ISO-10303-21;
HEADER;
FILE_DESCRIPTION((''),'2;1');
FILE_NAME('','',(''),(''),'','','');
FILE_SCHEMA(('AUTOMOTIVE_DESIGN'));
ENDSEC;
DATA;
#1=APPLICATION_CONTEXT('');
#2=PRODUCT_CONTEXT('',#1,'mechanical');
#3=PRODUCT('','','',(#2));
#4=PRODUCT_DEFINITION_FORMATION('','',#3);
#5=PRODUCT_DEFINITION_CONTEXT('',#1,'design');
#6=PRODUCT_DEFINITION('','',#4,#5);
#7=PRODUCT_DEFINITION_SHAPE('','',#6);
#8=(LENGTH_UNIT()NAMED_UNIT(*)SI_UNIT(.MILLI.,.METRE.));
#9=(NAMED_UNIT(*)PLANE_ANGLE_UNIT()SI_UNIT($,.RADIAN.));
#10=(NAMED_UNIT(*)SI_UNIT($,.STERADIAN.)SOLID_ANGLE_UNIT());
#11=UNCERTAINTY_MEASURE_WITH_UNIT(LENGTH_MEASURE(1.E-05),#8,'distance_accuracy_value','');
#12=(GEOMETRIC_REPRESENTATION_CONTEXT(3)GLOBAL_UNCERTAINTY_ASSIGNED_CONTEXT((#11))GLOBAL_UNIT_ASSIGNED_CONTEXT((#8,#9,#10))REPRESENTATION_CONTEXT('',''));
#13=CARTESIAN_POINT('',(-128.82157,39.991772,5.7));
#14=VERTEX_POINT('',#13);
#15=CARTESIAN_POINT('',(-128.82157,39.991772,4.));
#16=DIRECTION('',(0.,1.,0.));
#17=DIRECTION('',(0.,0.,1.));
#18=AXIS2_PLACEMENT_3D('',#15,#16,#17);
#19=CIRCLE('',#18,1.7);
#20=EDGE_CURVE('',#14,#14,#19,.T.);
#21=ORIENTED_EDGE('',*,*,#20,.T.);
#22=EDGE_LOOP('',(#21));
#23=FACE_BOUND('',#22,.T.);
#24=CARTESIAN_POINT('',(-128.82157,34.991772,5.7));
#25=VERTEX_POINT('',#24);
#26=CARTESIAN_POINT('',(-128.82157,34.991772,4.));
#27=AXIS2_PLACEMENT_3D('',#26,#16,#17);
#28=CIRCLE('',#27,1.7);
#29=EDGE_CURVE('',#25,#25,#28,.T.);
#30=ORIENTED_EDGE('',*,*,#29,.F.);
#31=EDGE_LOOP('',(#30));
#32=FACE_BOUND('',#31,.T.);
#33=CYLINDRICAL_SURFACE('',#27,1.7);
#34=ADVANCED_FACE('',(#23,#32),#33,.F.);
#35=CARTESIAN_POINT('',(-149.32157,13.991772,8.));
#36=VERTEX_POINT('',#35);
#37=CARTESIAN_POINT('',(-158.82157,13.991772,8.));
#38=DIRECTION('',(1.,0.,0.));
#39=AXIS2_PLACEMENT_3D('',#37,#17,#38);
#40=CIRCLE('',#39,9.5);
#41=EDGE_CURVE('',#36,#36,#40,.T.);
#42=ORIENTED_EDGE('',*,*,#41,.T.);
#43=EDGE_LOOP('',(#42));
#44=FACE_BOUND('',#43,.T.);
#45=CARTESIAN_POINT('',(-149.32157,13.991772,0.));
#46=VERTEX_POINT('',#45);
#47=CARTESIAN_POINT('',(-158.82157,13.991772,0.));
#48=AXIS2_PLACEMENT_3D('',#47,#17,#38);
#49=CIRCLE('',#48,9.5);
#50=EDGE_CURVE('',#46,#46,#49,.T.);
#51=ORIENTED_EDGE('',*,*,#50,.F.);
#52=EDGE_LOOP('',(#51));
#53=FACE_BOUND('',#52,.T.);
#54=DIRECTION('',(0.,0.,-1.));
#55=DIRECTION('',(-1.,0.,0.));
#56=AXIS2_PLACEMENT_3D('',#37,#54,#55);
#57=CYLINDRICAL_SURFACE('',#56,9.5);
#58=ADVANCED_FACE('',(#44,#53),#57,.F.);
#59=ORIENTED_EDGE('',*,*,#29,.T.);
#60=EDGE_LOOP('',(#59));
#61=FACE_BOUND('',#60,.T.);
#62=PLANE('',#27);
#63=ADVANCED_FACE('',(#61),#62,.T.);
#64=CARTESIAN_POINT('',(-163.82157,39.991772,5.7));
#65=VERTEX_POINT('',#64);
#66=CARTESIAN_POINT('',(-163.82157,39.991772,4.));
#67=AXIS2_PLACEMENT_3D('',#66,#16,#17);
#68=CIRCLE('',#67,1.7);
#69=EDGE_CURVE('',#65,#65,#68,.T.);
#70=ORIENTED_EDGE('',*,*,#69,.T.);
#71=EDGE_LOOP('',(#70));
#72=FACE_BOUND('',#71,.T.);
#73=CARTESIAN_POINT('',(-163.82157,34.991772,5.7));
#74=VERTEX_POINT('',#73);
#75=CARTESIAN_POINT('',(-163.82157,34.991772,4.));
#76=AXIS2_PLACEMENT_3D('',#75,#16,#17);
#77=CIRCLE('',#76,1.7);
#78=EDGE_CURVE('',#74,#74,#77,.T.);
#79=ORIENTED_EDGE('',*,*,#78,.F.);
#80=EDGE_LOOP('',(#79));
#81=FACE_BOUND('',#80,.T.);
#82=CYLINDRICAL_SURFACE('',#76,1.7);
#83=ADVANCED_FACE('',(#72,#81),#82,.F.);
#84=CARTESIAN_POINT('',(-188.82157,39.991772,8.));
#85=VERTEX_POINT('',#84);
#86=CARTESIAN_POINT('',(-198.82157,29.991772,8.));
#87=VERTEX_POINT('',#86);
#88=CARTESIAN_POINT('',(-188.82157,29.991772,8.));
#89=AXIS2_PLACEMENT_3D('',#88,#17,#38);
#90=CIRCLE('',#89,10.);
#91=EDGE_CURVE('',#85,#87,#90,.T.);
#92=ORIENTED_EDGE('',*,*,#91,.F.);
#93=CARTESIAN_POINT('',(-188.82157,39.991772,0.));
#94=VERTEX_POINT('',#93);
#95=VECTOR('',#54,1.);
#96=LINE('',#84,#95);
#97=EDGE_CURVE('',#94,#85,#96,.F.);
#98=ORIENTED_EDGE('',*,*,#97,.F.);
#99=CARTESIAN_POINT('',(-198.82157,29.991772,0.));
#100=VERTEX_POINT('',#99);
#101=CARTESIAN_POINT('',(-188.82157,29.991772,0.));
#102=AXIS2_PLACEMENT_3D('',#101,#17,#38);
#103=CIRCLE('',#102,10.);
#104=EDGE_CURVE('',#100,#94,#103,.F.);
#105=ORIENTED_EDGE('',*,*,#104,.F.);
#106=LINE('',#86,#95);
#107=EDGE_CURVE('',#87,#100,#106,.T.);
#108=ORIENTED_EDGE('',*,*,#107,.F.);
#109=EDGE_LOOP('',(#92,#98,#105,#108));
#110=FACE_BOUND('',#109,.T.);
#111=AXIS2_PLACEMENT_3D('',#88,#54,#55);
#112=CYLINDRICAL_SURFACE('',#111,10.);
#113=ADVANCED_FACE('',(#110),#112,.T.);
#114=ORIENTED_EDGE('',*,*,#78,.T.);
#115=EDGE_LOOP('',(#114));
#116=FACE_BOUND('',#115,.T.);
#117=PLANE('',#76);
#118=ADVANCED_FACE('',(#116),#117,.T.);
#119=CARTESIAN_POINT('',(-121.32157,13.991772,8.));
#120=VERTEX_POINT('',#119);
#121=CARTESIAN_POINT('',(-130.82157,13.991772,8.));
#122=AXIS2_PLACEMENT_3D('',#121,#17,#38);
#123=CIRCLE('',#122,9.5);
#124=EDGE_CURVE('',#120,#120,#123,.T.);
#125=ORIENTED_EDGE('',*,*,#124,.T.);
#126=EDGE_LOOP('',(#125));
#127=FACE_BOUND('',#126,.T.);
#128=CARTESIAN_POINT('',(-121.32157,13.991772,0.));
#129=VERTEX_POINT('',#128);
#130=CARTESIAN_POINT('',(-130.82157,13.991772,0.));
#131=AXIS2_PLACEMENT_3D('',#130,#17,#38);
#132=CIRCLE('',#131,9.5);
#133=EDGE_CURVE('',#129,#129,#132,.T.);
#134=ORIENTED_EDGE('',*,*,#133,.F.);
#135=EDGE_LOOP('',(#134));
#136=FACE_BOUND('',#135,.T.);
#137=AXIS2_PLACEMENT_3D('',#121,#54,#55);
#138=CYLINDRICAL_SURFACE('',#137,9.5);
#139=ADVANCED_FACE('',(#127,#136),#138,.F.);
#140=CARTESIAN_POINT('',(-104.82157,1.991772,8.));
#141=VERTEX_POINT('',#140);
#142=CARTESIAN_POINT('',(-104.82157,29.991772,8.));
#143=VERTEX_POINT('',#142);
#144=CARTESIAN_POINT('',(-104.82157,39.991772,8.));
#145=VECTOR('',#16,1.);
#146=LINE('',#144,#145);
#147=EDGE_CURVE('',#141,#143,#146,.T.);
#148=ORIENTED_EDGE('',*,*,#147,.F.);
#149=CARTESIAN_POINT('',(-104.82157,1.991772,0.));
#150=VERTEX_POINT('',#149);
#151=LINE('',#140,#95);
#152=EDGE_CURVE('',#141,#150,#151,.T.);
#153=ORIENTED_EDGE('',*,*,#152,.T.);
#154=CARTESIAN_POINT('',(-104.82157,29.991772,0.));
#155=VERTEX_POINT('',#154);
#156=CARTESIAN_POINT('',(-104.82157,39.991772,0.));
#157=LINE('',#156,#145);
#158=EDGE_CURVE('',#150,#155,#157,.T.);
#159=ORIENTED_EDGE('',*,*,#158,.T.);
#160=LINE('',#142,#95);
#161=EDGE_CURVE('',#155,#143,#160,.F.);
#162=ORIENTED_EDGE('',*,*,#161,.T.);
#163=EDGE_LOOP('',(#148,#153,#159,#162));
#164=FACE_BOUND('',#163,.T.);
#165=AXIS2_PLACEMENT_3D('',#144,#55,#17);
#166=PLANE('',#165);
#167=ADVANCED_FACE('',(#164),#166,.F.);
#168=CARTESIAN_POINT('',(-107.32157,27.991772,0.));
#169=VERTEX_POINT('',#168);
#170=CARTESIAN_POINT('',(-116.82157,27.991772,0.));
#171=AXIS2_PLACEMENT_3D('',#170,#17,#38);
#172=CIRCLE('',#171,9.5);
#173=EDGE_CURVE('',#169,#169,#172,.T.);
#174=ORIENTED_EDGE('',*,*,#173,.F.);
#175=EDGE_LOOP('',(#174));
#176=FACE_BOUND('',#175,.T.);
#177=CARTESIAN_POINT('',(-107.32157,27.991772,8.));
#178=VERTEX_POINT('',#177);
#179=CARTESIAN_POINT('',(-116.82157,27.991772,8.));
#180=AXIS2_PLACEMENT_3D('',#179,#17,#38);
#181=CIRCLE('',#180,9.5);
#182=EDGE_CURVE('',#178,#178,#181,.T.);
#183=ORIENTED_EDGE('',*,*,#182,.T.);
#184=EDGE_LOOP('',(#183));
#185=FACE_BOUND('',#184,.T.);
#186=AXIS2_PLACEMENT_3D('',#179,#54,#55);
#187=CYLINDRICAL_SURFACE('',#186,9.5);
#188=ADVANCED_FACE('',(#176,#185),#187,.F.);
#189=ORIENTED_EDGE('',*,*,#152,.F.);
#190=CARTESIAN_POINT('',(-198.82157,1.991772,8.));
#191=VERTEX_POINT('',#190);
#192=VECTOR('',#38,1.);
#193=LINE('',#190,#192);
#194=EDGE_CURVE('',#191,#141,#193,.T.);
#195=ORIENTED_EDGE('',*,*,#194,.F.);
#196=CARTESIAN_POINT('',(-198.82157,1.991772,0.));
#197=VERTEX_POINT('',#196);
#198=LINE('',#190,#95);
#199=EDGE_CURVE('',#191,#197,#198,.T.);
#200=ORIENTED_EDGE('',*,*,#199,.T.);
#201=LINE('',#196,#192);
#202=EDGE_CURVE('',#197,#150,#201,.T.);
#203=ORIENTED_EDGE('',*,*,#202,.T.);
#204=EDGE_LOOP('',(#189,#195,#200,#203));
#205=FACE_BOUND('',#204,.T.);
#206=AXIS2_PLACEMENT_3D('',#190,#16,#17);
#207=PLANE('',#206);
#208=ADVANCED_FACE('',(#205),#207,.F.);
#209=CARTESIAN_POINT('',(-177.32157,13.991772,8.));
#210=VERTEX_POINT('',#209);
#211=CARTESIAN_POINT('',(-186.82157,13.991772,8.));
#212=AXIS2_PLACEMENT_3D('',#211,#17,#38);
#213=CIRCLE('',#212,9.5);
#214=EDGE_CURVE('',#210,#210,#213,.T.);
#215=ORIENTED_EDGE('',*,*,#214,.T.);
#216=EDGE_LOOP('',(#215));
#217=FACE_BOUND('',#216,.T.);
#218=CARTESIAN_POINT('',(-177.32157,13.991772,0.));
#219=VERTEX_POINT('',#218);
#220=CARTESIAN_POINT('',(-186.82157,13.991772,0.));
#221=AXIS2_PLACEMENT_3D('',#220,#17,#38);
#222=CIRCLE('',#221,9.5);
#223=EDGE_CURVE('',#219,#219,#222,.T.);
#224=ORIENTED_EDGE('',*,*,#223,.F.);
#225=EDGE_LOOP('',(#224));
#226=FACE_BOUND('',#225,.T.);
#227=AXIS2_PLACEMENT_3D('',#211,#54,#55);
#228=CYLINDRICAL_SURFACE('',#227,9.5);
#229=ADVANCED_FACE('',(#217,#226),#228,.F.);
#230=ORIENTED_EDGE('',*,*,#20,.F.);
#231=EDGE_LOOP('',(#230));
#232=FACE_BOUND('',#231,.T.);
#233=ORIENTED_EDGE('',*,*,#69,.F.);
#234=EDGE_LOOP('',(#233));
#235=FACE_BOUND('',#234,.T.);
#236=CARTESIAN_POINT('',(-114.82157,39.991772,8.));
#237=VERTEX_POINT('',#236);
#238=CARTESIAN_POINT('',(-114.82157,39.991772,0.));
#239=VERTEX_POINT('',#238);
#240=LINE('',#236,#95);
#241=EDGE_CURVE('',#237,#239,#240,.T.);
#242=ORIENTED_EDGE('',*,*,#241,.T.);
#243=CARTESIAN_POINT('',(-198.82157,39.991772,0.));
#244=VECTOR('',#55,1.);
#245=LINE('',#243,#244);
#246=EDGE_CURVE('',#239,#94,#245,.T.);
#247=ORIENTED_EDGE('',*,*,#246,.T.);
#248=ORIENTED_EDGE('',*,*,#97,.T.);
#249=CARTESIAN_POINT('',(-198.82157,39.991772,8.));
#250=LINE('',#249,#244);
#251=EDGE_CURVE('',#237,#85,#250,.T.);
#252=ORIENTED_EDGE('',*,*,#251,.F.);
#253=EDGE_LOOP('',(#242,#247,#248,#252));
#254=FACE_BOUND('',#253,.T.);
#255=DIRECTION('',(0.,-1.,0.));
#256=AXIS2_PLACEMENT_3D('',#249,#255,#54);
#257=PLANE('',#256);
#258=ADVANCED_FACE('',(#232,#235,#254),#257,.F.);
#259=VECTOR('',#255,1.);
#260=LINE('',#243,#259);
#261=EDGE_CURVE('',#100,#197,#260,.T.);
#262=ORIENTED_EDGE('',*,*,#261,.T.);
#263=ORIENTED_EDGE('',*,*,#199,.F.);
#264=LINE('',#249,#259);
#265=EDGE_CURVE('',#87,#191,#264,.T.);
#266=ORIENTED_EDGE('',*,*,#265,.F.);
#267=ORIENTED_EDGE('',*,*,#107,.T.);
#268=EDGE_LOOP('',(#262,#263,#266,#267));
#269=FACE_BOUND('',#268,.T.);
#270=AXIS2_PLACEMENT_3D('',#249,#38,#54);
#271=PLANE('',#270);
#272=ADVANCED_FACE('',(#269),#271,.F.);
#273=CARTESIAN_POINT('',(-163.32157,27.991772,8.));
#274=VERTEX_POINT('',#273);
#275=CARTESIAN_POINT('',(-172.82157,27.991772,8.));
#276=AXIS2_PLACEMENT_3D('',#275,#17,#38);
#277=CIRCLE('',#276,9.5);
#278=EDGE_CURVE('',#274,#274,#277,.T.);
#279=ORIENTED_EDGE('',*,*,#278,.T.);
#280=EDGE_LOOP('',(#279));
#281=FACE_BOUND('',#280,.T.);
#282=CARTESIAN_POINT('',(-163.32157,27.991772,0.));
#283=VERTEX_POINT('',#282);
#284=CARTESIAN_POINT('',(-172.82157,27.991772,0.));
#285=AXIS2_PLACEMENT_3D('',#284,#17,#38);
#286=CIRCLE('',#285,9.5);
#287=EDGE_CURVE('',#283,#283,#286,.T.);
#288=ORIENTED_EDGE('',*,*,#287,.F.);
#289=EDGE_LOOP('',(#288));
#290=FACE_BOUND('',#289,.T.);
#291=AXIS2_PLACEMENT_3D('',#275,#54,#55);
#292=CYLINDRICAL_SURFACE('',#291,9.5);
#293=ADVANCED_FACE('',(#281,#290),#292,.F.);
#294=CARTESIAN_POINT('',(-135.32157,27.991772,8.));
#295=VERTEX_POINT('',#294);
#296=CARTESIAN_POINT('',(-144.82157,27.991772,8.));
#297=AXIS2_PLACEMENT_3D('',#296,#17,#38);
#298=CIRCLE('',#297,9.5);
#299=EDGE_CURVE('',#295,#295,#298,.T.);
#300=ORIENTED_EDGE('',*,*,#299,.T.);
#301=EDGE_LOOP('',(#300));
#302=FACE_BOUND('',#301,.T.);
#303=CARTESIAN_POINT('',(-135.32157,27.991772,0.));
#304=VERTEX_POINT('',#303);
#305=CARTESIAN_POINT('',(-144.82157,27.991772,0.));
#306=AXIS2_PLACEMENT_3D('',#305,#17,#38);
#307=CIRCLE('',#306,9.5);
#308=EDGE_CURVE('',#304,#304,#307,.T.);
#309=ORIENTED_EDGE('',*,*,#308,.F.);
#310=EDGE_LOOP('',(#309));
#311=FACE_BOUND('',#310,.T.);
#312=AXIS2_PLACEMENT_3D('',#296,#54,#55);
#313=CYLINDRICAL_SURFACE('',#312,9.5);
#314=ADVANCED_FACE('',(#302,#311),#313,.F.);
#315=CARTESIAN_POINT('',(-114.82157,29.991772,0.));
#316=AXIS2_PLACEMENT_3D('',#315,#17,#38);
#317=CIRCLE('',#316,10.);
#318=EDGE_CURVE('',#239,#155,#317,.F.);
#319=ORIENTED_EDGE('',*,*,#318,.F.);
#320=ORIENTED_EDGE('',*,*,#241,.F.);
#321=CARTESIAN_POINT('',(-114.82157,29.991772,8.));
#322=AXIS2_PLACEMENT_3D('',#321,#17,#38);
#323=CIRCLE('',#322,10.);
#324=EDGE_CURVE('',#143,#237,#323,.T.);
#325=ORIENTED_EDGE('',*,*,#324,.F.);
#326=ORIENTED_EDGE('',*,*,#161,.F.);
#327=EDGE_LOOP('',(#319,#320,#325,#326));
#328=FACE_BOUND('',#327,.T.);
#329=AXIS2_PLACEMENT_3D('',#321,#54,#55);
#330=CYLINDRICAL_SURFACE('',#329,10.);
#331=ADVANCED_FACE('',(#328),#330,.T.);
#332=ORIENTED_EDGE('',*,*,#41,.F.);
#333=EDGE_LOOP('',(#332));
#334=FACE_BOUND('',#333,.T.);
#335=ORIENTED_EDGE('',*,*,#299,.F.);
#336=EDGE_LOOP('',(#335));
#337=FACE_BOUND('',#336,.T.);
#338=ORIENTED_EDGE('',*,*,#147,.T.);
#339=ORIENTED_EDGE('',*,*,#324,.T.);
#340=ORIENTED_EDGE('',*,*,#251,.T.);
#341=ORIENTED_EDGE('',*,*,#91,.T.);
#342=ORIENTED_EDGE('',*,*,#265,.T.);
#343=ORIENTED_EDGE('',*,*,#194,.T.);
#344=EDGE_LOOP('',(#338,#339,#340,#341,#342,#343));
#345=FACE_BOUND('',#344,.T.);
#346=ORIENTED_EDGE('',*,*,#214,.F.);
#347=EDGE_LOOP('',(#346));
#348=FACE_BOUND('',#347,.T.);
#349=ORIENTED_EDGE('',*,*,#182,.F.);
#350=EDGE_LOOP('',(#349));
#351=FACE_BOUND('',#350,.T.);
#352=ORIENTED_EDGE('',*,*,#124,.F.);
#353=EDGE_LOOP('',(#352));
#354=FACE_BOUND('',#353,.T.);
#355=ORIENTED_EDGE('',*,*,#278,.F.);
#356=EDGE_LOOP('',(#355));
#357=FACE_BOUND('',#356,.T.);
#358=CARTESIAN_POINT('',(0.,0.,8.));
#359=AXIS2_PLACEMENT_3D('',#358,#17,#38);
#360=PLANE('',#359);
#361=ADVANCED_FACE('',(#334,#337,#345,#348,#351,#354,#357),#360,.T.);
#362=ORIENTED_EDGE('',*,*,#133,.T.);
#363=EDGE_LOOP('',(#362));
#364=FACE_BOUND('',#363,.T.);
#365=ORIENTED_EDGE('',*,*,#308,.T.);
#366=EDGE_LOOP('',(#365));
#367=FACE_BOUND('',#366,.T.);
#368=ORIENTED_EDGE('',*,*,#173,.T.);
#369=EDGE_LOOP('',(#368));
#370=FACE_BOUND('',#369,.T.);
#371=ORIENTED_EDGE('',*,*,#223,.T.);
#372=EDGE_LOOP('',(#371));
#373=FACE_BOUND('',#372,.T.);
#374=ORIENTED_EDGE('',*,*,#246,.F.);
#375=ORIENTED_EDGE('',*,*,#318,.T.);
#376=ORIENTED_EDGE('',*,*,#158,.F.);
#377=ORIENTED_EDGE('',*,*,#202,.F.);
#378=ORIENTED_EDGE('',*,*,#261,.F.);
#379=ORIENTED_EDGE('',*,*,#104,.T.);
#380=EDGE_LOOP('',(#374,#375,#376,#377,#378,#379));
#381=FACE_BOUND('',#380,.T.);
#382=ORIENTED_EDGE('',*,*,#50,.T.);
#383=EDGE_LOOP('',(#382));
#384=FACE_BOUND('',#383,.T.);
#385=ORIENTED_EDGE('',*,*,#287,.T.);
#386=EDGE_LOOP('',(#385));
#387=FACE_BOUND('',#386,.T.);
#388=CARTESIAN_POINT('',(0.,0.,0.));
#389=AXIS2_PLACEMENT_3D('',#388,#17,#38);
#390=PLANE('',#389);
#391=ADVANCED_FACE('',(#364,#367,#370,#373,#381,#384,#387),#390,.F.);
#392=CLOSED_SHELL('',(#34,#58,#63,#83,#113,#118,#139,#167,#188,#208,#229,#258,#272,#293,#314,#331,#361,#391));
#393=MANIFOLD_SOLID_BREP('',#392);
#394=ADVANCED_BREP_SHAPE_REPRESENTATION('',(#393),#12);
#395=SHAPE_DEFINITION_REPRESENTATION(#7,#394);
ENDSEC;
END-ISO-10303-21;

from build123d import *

# Parameters (mm, degrees)
SKETCH2_W           = 94
SKETCH2_H           = 38
SKETCH2_R           = 9.5
BOSS_EXTRUDE1_DEPTH = 8
FILLET1_R           = 10
SKETCH3_R           = 1.7
CUT_EXTRUDE1_DEPTH  = 5


with BuildPart() as part:
    # Sketch2 → Boss-Extrude1 (new body)
    with BuildSketch(Plane.XY):
        with Locations((-151.821569614, 20.991771931)):
            Rectangle(SKETCH2_W, SKETCH2_H)
        with Locations((-186.821569614, 13.991771931)):
            Circle(SKETCH2_R, mode=Mode.SUBTRACT)
        with Locations((-158.821569614, 13.991771931)):
            Circle(SKETCH2_R, mode=Mode.SUBTRACT)
        with Locations((-130.821569614, 13.991771931)):
            Circle(SKETCH2_R, mode=Mode.SUBTRACT)
        with Locations((-144.821569614, 27.991771931)):
            Circle(SKETCH2_R, mode=Mode.SUBTRACT)
        with Locations((-116.821569614, 27.991771931)):
            Circle(SKETCH2_R, mode=Mode.SUBTRACT)
        with Locations((-172.821569614, 27.991771931)):
            Circle(SKETCH2_R, mode=Mode.SUBTRACT)
    extrude(amount=BOSS_EXTRUDE1_DEPTH)

    # Fillet1
    fillet1_edges = [part.edges().sort_by_distance(p)[0] for p in [
        (-198.821569614, 39.991771931, 4),
        (-104.821569614, 39.991771931, 4),
    ]]
    fillet(fillet1_edges, radius=FILLET1_R)

    # Sketch3 → Cut-Extrude1 (cut)
    with BuildSketch(Plane(origin=(0, 39.991771931, 0), x_dir=(1, 0, 0), z_dir=(0, 1, 0))):
        with Locations((-163.821569614, -4)):
            Circle(SKETCH3_R)
        with Locations((-128.821569614, -4)):
            Circle(SKETCH3_R)
    extrude(amount=-CUT_EXTRUDE1_DEPTH, mode=Mode.SUBTRACT)


solid = part.part
